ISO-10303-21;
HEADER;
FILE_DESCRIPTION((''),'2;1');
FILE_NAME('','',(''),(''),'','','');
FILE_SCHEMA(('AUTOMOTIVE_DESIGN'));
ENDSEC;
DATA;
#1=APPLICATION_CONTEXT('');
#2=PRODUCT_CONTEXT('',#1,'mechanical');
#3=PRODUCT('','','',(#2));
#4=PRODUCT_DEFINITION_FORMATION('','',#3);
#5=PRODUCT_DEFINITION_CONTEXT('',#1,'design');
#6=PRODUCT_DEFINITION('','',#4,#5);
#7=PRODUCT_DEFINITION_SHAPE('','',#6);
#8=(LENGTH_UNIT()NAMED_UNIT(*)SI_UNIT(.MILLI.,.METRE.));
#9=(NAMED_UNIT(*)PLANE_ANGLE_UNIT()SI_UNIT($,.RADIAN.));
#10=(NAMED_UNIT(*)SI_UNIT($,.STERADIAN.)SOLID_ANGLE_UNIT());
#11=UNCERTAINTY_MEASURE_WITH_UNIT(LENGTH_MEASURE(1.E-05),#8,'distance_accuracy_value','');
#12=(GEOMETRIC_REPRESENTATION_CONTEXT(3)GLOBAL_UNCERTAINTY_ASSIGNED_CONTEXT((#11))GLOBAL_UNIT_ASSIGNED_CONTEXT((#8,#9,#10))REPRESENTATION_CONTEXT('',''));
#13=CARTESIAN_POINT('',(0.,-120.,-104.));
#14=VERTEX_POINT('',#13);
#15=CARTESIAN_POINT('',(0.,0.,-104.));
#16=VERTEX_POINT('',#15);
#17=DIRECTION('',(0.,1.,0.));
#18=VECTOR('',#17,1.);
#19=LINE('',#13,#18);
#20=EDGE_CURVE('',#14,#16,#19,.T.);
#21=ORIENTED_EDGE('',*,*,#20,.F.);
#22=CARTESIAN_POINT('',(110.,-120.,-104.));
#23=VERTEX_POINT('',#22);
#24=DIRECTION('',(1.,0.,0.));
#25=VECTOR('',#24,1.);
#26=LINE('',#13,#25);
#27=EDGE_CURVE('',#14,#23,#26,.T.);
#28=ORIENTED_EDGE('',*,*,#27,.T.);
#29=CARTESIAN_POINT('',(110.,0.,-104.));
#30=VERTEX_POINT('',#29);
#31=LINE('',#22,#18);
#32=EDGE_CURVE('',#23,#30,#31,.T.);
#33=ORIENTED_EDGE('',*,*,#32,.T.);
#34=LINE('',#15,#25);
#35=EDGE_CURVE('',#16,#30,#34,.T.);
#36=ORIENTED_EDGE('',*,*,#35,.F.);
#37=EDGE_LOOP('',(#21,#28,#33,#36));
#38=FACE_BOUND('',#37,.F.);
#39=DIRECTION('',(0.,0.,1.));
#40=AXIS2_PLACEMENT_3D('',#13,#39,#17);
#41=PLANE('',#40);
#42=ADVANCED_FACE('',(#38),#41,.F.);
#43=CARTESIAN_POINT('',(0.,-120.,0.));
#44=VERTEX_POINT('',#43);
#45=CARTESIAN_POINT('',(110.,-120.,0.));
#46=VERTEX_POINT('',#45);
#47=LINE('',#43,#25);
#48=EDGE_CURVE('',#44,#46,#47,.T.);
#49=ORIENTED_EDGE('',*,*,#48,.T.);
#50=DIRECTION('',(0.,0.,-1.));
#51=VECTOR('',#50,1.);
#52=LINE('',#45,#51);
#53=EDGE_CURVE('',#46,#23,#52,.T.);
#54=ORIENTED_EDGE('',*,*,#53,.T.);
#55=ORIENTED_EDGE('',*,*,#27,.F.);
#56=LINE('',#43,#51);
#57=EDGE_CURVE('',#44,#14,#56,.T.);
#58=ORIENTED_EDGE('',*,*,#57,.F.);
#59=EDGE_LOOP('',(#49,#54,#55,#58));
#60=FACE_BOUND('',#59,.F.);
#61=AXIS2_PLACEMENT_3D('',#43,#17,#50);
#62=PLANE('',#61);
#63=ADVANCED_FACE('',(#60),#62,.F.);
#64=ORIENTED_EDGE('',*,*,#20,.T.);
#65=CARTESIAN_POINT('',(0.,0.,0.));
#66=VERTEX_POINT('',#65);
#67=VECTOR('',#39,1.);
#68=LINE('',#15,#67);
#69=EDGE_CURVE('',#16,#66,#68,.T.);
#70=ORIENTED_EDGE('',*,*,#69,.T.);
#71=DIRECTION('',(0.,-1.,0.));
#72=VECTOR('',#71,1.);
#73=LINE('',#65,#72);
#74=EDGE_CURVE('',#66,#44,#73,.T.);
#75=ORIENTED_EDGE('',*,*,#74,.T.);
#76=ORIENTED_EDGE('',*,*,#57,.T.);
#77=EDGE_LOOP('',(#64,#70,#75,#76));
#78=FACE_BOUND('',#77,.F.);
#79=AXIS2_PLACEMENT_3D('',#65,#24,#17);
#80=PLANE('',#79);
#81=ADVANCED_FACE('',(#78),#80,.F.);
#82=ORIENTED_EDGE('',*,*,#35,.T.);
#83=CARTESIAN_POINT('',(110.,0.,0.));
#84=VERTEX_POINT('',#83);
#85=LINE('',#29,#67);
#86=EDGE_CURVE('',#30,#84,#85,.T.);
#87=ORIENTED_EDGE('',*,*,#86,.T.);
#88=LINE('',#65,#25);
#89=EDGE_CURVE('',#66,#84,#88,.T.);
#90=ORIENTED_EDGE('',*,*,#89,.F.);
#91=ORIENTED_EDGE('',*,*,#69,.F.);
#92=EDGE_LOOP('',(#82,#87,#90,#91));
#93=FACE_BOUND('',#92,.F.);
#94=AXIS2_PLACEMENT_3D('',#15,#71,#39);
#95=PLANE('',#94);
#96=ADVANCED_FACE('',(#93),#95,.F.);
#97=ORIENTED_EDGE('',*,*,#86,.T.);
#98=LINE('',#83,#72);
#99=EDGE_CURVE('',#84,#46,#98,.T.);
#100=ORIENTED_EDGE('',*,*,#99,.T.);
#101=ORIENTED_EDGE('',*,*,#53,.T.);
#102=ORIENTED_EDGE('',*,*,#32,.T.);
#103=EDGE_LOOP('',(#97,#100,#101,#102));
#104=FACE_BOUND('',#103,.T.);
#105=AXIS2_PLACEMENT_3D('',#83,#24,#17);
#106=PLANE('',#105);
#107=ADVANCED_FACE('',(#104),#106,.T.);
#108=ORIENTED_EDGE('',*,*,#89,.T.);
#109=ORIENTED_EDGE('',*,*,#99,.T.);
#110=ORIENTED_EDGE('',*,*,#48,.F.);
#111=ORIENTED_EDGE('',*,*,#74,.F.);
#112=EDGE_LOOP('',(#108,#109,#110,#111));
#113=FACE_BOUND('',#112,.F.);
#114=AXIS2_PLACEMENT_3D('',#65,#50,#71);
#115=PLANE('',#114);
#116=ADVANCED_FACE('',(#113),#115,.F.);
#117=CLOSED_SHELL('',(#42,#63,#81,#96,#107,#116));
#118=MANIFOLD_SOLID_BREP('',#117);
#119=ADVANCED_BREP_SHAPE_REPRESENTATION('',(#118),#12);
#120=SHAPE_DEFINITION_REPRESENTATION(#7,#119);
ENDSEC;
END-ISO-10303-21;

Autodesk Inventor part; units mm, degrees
ref_plane "YZ Plane" through (0, 0, 0) normal (1, 0, 0) x (0, 1, 0)
ref_plane "XZ Plane" through (0, 0, 0) normal (0, 1, 0) x (-1, 0, 0)
ref_plane "XY Plane" through (0, 0, 0) normal (0, 0, 1) x (1, 0, 0)
sketch "Sketch1" plane through (0, 0, 0) normal (1, 0, 0) x (0, 1, 0)
  line L0 (0, 0) -> (-120, 0)
  line L1 (-120, 0) -> (-120, -104)
  line L2 (-120, -104) -> (0, -104)
  line L3 (0, -104) -> (0, 0)
  dimension "d0" = 120
  dimension "d1" = 104
extrude "Extrusion1" add sketch "Sketch1" along normal blind 110
properties part number "DB" material "Glass"
